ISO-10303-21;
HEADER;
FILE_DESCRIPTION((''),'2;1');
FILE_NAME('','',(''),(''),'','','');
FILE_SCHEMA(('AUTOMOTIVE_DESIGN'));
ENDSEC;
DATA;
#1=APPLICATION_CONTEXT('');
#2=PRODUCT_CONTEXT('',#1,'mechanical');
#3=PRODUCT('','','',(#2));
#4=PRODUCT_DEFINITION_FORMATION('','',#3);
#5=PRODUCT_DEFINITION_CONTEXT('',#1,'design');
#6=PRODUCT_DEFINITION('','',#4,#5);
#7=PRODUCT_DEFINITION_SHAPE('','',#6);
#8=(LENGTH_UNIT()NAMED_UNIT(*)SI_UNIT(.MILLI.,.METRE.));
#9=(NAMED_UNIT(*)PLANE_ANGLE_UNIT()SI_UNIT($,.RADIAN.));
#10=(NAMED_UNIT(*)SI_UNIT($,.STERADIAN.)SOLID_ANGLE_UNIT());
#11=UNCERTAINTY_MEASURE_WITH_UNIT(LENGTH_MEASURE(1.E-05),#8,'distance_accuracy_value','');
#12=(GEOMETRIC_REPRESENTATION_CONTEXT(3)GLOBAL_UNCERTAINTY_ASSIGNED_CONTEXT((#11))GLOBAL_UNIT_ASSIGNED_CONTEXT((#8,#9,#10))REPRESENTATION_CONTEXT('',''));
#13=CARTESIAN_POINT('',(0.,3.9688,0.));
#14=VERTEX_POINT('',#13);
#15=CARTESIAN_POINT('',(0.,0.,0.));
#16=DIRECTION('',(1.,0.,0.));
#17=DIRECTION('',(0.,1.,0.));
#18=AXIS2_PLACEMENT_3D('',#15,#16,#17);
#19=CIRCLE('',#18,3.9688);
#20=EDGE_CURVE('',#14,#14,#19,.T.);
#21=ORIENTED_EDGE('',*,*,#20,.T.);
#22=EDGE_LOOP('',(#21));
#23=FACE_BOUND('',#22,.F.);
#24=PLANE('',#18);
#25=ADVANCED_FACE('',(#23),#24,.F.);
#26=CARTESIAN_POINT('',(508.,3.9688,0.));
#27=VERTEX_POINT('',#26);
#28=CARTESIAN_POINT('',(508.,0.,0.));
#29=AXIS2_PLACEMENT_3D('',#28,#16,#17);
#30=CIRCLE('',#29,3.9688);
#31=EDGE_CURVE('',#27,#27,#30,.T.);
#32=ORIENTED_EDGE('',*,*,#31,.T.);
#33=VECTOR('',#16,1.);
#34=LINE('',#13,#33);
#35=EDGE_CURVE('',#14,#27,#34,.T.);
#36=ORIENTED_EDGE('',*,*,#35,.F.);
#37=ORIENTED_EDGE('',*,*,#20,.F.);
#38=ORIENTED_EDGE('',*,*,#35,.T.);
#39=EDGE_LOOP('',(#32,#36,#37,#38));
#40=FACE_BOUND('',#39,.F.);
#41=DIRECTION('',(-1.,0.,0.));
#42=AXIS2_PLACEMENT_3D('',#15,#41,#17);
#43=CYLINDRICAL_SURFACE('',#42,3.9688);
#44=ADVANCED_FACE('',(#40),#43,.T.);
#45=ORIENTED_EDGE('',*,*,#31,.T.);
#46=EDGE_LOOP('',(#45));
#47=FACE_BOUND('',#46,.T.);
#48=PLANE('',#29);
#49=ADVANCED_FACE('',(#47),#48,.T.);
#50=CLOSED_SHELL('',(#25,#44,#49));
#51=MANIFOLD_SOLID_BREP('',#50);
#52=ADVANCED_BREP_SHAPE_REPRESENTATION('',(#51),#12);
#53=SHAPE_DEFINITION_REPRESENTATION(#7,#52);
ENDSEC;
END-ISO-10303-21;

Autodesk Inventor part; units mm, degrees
ref_plane "YZ Plane" through (0, 0, 0) normal (1, 0, 0) x (0, 1, 0)
ref_plane "XZ Plane" through (0, 0, 0) normal (0, 1, 0) x (-1, 0, 0)
ref_plane "XY Plane" through (0, 0, 0) normal (0, 0, 1) x (1, 0, 0)
sketch "Sketch1" plane through (0, 0, 0) normal (1, 0, 0) x (0, 1, 0)
  circle A0 centre (0, 0) radius 3.9688
  dimension "d0" = 7.9375
extrude "Extrusion1" add sketch "Sketch1" along normal blind 508
properties part number "Long_Shaft"
